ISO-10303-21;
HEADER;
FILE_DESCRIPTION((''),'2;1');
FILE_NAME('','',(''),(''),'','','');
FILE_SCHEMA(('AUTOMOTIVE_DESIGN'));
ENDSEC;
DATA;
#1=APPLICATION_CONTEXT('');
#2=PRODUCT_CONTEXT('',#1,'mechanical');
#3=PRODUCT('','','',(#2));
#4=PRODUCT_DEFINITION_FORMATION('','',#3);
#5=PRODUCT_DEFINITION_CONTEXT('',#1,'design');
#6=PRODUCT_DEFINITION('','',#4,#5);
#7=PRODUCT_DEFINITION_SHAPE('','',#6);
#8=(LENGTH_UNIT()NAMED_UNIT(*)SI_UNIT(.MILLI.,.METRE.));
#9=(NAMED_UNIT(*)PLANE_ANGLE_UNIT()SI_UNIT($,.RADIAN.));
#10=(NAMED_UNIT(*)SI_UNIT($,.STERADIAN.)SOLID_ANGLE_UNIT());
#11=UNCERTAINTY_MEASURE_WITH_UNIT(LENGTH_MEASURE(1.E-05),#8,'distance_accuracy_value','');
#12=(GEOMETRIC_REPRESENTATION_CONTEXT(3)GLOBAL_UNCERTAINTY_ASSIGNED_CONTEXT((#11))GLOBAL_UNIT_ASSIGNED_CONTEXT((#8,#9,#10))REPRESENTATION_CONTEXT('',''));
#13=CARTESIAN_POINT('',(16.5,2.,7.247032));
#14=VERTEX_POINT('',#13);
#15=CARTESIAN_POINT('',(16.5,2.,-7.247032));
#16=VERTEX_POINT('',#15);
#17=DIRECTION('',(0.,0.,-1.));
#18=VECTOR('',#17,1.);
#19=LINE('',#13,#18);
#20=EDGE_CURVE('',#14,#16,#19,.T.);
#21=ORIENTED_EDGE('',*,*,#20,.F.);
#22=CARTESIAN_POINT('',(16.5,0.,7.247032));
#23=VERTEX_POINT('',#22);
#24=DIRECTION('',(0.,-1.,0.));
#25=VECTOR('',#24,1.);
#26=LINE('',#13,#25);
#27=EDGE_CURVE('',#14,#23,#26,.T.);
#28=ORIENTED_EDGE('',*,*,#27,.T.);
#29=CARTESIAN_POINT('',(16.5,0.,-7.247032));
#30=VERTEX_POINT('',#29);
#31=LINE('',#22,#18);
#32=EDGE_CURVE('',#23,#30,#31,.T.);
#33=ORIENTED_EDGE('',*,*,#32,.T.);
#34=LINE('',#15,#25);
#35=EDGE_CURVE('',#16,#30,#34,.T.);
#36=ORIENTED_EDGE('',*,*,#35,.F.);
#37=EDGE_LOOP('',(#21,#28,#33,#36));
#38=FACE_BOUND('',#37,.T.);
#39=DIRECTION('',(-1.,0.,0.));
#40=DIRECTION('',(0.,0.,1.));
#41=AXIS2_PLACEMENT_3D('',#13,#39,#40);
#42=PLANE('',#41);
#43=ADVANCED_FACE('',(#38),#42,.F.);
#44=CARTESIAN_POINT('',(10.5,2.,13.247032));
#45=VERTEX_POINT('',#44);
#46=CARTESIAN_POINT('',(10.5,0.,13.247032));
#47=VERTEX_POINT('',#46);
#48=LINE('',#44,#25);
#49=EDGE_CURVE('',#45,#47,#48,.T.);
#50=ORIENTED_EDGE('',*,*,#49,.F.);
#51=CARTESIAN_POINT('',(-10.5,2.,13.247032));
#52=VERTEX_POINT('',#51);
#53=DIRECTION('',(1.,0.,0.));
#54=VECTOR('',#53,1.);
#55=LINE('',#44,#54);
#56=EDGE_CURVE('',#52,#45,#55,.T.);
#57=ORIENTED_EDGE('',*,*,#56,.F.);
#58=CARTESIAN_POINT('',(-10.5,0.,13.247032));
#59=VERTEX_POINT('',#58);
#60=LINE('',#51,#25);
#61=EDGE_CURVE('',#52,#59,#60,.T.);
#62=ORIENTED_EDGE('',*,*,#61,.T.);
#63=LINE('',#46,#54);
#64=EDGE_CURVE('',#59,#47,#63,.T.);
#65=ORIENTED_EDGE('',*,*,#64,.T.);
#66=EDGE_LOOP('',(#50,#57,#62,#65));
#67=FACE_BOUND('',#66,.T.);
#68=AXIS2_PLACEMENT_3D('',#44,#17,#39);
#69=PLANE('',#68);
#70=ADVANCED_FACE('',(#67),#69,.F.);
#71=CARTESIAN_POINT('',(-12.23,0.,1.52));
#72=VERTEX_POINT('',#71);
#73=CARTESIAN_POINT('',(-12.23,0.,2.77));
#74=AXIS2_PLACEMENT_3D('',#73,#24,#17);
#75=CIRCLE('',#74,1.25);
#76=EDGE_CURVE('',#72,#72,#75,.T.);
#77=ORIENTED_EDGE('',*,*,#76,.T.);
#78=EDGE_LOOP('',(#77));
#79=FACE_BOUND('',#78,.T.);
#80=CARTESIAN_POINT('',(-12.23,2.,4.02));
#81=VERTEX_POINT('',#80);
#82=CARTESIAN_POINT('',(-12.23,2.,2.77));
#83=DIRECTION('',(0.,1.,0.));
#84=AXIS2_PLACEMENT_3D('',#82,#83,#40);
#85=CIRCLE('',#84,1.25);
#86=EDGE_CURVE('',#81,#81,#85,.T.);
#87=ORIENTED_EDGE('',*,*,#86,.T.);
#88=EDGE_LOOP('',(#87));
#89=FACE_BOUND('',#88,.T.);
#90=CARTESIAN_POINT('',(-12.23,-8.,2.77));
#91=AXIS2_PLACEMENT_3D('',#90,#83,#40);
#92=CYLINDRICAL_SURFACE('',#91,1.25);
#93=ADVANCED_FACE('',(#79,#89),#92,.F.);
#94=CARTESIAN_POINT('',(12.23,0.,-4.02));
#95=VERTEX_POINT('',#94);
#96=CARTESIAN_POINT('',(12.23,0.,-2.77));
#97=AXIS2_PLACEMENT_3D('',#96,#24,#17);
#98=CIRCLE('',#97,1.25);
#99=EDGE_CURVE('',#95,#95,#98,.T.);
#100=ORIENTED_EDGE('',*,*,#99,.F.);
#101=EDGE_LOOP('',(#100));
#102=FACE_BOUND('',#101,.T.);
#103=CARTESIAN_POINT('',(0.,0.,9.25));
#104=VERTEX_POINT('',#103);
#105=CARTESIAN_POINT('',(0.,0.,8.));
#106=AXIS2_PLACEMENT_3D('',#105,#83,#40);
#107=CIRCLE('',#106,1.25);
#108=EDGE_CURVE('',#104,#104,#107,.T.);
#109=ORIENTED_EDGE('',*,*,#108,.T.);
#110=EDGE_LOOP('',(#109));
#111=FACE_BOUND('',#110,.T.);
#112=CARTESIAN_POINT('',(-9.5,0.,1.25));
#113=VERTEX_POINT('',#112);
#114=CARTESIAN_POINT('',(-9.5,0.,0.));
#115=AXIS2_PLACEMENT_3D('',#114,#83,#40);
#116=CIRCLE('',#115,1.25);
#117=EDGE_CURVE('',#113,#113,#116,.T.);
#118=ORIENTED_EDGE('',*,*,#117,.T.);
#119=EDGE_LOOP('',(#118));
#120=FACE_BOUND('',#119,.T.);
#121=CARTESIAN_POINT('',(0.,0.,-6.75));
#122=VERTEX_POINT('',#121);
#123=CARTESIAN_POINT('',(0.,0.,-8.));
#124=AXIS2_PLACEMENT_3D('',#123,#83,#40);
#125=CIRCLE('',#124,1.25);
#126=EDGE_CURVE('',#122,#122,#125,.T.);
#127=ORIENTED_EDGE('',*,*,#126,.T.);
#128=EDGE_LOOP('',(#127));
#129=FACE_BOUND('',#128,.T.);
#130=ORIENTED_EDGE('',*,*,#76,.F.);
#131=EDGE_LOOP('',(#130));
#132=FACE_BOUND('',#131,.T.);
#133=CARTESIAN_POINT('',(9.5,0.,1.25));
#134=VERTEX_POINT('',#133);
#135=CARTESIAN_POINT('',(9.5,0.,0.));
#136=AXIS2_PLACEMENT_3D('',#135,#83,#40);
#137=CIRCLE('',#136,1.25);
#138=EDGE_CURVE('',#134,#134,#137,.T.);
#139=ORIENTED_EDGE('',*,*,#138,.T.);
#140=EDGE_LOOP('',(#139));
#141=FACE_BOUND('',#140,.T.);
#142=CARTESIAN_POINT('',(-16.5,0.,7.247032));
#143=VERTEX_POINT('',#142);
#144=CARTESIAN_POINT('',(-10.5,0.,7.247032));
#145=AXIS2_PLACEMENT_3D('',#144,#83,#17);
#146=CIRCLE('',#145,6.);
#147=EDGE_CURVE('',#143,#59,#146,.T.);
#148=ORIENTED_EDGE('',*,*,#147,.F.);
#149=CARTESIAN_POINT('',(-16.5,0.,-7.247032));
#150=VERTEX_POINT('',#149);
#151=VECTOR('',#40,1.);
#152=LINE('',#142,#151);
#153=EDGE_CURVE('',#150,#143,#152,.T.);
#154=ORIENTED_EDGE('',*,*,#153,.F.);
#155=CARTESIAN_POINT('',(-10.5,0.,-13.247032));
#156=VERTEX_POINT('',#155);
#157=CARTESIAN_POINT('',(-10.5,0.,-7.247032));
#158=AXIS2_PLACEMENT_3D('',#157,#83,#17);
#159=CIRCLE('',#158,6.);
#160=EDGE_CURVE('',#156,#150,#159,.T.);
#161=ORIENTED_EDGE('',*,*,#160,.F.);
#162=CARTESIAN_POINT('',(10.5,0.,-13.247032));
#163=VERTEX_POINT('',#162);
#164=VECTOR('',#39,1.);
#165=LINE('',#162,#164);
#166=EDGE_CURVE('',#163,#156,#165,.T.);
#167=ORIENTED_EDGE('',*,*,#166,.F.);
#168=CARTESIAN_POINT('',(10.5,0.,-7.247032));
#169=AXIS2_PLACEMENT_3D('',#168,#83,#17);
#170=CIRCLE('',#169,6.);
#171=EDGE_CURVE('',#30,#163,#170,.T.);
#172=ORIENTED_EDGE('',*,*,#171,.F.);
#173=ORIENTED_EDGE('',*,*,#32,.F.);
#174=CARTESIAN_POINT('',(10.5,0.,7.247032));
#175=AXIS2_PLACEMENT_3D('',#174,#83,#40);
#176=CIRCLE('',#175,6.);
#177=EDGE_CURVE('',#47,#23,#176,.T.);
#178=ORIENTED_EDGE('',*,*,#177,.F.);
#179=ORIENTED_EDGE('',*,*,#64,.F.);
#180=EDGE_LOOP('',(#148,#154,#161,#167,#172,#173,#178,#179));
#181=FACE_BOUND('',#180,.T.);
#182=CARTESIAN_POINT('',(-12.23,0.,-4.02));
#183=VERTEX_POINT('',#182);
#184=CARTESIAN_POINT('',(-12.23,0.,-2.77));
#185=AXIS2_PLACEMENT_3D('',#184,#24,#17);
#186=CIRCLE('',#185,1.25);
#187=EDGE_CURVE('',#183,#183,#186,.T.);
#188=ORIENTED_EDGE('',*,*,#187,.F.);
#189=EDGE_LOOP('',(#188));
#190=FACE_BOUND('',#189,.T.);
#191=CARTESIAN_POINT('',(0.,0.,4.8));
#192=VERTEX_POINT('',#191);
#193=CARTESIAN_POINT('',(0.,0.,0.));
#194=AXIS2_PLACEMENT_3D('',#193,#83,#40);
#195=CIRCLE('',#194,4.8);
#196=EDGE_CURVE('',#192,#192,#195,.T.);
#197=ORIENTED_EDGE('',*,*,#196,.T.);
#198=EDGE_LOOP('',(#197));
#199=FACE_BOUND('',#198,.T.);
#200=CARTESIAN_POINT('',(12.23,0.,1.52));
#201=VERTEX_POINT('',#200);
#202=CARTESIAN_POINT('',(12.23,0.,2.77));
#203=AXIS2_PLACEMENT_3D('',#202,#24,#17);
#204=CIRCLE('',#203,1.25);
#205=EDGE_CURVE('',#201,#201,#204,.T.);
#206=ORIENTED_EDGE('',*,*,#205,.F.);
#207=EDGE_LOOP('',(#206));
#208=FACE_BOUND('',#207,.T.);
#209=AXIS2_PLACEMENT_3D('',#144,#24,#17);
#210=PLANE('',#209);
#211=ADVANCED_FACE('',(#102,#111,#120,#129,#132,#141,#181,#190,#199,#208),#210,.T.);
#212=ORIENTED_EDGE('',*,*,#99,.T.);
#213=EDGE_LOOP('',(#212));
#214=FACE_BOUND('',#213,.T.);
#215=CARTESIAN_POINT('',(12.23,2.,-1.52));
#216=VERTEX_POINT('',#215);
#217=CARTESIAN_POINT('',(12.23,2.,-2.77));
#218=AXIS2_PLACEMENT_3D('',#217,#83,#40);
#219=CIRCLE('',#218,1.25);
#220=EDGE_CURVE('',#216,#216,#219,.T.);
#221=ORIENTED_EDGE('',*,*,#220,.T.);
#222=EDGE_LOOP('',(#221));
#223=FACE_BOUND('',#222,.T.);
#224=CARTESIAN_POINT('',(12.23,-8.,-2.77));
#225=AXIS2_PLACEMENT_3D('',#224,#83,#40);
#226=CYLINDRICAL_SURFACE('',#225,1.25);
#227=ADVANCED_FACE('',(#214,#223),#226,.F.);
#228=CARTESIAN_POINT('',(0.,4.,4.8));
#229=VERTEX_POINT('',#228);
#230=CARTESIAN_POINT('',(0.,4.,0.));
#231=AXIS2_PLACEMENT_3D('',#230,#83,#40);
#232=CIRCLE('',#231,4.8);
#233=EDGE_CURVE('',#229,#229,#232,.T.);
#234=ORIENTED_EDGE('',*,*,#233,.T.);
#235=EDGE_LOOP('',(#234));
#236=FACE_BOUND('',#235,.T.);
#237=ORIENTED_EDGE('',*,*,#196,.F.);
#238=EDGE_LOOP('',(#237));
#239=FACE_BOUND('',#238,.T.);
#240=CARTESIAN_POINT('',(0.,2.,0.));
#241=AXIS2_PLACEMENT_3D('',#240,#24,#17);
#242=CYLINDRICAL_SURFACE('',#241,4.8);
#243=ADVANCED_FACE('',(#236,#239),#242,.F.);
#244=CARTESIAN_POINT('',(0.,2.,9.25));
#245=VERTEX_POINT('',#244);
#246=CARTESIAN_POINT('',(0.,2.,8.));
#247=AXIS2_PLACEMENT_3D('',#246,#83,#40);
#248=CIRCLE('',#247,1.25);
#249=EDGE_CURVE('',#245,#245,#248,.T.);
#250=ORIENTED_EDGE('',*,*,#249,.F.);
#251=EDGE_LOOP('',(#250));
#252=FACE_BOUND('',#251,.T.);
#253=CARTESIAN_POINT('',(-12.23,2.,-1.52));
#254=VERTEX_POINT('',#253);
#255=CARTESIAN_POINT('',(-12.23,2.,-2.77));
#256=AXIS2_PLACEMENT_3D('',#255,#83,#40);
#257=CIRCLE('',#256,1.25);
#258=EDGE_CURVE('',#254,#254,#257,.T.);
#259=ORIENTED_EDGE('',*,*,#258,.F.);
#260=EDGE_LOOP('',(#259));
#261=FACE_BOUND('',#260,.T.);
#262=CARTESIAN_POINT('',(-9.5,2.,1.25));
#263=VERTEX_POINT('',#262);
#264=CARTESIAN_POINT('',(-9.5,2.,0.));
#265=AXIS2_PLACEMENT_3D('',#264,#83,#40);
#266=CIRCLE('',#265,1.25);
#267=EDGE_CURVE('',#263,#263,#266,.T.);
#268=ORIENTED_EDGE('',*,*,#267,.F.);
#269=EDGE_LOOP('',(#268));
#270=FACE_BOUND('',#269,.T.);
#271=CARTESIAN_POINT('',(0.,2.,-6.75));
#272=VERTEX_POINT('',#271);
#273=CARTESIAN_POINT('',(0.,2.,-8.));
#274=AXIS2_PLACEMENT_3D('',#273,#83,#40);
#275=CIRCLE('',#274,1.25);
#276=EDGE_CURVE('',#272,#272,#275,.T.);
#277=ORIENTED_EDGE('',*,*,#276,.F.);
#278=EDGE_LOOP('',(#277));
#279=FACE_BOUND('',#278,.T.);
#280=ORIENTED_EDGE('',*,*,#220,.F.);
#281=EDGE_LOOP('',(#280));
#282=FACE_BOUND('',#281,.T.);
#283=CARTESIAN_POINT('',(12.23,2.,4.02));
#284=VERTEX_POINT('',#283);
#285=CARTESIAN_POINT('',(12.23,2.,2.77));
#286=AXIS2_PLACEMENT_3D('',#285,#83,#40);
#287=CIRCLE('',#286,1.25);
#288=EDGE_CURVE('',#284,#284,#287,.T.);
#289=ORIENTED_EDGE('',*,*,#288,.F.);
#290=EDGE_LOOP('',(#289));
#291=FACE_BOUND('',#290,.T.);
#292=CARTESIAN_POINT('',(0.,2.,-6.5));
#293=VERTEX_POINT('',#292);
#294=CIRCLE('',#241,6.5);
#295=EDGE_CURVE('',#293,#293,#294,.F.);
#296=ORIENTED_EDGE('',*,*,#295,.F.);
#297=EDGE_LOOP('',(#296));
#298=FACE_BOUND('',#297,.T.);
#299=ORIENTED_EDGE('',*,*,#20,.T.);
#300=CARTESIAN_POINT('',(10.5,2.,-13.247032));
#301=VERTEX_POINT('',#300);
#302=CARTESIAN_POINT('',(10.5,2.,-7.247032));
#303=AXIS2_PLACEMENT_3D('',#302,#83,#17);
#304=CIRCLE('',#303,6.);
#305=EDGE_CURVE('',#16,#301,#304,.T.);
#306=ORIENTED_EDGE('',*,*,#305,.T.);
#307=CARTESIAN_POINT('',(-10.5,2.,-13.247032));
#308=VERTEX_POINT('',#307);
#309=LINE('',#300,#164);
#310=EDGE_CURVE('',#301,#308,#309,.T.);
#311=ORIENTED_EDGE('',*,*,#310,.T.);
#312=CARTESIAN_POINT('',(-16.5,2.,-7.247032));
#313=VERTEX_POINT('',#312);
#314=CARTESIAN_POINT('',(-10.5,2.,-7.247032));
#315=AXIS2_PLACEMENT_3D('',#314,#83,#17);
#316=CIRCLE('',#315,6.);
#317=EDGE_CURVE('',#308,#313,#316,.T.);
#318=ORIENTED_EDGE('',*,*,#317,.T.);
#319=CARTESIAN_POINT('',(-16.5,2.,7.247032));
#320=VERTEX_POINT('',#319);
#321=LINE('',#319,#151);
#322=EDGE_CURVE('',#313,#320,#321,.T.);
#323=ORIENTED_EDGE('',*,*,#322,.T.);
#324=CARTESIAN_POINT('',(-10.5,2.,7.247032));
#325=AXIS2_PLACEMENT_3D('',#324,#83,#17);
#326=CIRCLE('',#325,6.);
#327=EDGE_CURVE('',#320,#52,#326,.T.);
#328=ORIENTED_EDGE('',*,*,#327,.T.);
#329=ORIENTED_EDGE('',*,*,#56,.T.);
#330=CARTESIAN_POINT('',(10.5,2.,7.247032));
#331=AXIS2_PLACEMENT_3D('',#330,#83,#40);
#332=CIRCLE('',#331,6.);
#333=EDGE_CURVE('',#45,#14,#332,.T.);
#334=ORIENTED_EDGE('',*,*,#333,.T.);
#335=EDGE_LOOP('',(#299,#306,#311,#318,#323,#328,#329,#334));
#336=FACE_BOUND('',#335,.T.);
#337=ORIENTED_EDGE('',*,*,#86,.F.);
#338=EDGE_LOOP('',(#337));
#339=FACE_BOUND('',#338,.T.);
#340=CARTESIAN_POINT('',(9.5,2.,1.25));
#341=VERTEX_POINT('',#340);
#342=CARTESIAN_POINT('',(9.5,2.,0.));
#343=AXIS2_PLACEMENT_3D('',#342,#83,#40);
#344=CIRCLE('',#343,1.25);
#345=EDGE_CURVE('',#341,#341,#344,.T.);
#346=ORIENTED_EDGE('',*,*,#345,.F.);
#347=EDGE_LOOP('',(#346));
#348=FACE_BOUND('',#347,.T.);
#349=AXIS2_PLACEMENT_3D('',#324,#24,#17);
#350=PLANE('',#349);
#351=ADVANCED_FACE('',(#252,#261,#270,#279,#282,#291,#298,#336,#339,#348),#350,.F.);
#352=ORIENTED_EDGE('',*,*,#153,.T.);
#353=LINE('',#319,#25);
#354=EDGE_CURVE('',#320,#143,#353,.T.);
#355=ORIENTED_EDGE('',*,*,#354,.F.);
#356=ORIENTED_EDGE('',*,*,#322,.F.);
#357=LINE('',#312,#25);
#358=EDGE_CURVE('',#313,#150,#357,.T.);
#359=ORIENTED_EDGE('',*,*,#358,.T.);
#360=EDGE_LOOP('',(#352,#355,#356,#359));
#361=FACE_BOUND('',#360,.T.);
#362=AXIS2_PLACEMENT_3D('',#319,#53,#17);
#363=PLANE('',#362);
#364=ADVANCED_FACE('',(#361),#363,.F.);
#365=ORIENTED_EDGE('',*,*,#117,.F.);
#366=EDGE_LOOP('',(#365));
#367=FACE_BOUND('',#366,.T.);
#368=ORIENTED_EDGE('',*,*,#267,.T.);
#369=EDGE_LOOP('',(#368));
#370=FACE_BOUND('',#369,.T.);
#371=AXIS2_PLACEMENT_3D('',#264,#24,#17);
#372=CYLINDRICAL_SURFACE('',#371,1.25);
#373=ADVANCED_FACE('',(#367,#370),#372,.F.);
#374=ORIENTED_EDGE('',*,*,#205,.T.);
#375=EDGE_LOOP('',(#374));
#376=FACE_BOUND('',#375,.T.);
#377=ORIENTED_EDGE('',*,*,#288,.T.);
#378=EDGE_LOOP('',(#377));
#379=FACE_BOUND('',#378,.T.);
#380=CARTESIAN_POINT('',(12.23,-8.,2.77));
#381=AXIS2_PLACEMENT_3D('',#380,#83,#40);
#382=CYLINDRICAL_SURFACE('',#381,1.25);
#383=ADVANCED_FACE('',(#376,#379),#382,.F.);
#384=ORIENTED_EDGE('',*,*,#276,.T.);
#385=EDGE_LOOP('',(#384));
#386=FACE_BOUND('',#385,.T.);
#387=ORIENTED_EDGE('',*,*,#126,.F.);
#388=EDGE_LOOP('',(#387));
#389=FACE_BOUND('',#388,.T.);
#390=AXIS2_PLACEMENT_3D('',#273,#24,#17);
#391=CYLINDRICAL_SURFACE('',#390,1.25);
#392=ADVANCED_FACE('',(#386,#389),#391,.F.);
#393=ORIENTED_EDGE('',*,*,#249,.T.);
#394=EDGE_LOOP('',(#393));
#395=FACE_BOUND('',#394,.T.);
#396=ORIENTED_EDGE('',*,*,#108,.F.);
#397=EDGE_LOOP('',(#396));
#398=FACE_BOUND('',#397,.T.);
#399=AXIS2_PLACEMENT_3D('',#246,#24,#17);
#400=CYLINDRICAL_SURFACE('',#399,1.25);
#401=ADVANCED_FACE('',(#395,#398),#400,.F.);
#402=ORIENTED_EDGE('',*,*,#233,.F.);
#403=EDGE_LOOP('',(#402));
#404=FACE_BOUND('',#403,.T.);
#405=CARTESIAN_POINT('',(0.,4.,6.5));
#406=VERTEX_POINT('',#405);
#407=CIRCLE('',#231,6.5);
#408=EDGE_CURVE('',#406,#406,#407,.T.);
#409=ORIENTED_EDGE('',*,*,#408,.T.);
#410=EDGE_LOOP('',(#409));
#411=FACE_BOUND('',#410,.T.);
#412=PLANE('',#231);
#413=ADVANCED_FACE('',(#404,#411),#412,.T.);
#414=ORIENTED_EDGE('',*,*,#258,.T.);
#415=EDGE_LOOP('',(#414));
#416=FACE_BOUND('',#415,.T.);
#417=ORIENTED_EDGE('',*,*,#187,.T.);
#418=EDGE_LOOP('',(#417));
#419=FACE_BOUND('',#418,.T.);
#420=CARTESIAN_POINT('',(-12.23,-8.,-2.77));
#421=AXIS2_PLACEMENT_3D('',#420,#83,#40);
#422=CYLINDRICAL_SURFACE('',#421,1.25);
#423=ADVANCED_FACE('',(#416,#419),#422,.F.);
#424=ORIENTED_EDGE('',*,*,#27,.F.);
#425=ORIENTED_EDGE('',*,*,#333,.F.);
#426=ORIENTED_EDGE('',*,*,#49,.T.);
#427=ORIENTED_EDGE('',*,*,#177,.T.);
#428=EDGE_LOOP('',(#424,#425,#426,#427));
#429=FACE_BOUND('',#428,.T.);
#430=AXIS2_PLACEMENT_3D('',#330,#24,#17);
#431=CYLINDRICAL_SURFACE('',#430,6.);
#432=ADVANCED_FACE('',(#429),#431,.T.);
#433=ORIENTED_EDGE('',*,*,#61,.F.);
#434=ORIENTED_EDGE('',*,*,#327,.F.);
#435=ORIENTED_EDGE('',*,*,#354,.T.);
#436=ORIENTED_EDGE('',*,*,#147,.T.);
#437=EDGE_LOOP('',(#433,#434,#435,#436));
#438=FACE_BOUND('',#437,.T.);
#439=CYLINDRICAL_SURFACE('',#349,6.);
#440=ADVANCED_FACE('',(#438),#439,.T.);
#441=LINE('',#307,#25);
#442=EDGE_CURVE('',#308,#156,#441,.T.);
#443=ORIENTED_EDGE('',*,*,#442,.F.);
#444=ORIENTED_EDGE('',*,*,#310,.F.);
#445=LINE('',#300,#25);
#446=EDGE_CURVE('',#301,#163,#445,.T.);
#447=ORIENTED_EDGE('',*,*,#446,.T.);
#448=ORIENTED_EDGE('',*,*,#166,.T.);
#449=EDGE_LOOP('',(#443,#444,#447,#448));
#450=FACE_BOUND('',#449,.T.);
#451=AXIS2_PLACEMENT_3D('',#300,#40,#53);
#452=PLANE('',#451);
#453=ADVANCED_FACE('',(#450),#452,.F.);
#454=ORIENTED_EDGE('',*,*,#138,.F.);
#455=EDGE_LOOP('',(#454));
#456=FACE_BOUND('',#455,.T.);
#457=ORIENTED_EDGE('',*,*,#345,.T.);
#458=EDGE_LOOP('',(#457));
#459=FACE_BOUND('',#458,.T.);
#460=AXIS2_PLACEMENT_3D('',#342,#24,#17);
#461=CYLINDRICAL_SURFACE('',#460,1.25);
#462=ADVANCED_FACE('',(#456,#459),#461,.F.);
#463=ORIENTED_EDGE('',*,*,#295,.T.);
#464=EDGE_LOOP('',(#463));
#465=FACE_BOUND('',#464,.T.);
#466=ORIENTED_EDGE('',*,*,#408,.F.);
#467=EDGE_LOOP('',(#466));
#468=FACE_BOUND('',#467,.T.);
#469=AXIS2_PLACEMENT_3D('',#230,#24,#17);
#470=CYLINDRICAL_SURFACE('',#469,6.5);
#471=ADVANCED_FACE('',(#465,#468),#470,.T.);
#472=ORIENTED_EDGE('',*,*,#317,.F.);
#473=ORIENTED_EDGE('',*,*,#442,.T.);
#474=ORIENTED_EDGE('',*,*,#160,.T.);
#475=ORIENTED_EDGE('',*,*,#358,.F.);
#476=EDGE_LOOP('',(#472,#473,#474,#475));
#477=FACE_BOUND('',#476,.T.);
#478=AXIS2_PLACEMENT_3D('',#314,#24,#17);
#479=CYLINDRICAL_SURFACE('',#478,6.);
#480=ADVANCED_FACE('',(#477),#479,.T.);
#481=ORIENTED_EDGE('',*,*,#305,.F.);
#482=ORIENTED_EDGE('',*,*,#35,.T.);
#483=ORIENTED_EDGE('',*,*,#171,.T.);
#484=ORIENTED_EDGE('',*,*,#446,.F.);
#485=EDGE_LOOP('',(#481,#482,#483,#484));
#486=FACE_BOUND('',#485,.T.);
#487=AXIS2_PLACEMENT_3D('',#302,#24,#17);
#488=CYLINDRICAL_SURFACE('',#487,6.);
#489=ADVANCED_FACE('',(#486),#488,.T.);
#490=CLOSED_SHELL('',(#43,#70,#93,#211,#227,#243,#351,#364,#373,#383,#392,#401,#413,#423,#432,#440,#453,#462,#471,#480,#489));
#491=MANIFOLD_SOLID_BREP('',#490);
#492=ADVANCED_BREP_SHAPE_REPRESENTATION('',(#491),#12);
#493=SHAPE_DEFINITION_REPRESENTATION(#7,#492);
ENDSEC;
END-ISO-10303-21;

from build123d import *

# Parameters (mm, degrees)
SKETCH_1_R          = 1.25
SKETCH_1_R_2        = 4.8
EXTRUDE_1_DEPTH     = 2
SKETCH_3_R          = 6.5
SKETCH_3_R_2        = 4.8
EXTRUDE_2_DEPTH     = 2
SKETCH_5_R          = 1.25
CUT_EXTRUDE_1_DEPTH = 10


with BuildPart() as part:
    # 草图1 → 凸台-拉伸1 (new body)
    with BuildSketch(Plane(origin=(0, 0, 0), x_dir=(1, 0, 0), z_dir=(0, 1, 0))):
        with BuildLine():
            Line((10.5, -13.247031622), (-10.5, -13.247031622))
            ThreePointArc((-10.5, -13.247031622), (-14.742640687, -11.489672309), (-16.5, -7.247031622))
            Line((-16.5, -7.247031622), (-16.5, 7.247031622))
            ThreePointArc((-16.5, 7.247031622), (-14.742640687, 11.489672309), (-10.5, 13.247031622))
            Line((-10.5, 13.247031622), (10.5, 13.247031622))
            ThreePointArc((10.5, 13.247031622), (14.742640687, 11.489672309), (16.5, 7.247031622))
            Line((16.5, 7.247031622), (16.5, -7.247031622))
            ThreePointArc((16.5, -7.247031622), (14.742640687, -11.489672309), (10.5, -13.247031622))
        make_face()
        with Locations(Location((0, 8, 0), (0, 0, 270))):
            Circle(SKETCH_1_R, mode=Mode.SUBTRACT)
        with Locations(Location((0, -8, 0), (0, 0, 270))):
            Circle(SKETCH_1_R, mode=Mode.SUBTRACT)
        with Locations(Location((-9.5, 0, 0), (0, 0, 270))):
            Circle(SKETCH_1_R, mode=Mode.SUBTRACT)
        with Locations(Location((9.5, 0, 0), (0, 0, 270))):
            Circle(SKETCH_1_R, mode=Mode.SUBTRACT)
        with Locations(Location((0, 0, 0), (0, 0, 270))):
            Circle(SKETCH_1_R_2, mode=Mode.SUBTRACT)
    extrude(amount=EXTRUDE_1_DEPTH)

    # 草图3 → 凸台-拉伸2 (add)
    with BuildSketch(Plane(origin=(0, 2, 0), x_dir=(1, 0, 0), z_dir=(0, 1, 0))):
        with Locations(Location((0, 0, 0), (0, 0, 90))):
            Circle(SKETCH_3_R)
        with Locations(Location((0, 0, 0), (0, 0, 270))):
            Circle(SKETCH_3_R_2, mode=Mode.SUBTRACT)
    extrude(amount=EXTRUDE_2_DEPTH)

    # 草图5 → 切除-拉伸1 (cut)
    with BuildSketch(Plane(origin=(0, 2, 0), x_dir=(1, 0, 0), z_dir=(0, 1, 0))):
        with Locations(Location((-12.23, 2.77, 0), (0, 0, 270))):
            Circle(SKETCH_5_R)
        with Locations(Location((-12.23, -2.77, 0), (0, 0, 270))):
            Circle(SKETCH_5_R)
        with Locations(Location((12.23, -2.77, 0), (0, 0, 270))):
            Circle(SKETCH_5_R)
        with Locations(Location((12.23, 2.77, 0), (0, 0, 270))):
            Circle(SKETCH_5_R)
    extrude(amount=-CUT_EXTRUDE_1_DEPTH, mode=Mode.SUBTRACT)


solid = part.part
